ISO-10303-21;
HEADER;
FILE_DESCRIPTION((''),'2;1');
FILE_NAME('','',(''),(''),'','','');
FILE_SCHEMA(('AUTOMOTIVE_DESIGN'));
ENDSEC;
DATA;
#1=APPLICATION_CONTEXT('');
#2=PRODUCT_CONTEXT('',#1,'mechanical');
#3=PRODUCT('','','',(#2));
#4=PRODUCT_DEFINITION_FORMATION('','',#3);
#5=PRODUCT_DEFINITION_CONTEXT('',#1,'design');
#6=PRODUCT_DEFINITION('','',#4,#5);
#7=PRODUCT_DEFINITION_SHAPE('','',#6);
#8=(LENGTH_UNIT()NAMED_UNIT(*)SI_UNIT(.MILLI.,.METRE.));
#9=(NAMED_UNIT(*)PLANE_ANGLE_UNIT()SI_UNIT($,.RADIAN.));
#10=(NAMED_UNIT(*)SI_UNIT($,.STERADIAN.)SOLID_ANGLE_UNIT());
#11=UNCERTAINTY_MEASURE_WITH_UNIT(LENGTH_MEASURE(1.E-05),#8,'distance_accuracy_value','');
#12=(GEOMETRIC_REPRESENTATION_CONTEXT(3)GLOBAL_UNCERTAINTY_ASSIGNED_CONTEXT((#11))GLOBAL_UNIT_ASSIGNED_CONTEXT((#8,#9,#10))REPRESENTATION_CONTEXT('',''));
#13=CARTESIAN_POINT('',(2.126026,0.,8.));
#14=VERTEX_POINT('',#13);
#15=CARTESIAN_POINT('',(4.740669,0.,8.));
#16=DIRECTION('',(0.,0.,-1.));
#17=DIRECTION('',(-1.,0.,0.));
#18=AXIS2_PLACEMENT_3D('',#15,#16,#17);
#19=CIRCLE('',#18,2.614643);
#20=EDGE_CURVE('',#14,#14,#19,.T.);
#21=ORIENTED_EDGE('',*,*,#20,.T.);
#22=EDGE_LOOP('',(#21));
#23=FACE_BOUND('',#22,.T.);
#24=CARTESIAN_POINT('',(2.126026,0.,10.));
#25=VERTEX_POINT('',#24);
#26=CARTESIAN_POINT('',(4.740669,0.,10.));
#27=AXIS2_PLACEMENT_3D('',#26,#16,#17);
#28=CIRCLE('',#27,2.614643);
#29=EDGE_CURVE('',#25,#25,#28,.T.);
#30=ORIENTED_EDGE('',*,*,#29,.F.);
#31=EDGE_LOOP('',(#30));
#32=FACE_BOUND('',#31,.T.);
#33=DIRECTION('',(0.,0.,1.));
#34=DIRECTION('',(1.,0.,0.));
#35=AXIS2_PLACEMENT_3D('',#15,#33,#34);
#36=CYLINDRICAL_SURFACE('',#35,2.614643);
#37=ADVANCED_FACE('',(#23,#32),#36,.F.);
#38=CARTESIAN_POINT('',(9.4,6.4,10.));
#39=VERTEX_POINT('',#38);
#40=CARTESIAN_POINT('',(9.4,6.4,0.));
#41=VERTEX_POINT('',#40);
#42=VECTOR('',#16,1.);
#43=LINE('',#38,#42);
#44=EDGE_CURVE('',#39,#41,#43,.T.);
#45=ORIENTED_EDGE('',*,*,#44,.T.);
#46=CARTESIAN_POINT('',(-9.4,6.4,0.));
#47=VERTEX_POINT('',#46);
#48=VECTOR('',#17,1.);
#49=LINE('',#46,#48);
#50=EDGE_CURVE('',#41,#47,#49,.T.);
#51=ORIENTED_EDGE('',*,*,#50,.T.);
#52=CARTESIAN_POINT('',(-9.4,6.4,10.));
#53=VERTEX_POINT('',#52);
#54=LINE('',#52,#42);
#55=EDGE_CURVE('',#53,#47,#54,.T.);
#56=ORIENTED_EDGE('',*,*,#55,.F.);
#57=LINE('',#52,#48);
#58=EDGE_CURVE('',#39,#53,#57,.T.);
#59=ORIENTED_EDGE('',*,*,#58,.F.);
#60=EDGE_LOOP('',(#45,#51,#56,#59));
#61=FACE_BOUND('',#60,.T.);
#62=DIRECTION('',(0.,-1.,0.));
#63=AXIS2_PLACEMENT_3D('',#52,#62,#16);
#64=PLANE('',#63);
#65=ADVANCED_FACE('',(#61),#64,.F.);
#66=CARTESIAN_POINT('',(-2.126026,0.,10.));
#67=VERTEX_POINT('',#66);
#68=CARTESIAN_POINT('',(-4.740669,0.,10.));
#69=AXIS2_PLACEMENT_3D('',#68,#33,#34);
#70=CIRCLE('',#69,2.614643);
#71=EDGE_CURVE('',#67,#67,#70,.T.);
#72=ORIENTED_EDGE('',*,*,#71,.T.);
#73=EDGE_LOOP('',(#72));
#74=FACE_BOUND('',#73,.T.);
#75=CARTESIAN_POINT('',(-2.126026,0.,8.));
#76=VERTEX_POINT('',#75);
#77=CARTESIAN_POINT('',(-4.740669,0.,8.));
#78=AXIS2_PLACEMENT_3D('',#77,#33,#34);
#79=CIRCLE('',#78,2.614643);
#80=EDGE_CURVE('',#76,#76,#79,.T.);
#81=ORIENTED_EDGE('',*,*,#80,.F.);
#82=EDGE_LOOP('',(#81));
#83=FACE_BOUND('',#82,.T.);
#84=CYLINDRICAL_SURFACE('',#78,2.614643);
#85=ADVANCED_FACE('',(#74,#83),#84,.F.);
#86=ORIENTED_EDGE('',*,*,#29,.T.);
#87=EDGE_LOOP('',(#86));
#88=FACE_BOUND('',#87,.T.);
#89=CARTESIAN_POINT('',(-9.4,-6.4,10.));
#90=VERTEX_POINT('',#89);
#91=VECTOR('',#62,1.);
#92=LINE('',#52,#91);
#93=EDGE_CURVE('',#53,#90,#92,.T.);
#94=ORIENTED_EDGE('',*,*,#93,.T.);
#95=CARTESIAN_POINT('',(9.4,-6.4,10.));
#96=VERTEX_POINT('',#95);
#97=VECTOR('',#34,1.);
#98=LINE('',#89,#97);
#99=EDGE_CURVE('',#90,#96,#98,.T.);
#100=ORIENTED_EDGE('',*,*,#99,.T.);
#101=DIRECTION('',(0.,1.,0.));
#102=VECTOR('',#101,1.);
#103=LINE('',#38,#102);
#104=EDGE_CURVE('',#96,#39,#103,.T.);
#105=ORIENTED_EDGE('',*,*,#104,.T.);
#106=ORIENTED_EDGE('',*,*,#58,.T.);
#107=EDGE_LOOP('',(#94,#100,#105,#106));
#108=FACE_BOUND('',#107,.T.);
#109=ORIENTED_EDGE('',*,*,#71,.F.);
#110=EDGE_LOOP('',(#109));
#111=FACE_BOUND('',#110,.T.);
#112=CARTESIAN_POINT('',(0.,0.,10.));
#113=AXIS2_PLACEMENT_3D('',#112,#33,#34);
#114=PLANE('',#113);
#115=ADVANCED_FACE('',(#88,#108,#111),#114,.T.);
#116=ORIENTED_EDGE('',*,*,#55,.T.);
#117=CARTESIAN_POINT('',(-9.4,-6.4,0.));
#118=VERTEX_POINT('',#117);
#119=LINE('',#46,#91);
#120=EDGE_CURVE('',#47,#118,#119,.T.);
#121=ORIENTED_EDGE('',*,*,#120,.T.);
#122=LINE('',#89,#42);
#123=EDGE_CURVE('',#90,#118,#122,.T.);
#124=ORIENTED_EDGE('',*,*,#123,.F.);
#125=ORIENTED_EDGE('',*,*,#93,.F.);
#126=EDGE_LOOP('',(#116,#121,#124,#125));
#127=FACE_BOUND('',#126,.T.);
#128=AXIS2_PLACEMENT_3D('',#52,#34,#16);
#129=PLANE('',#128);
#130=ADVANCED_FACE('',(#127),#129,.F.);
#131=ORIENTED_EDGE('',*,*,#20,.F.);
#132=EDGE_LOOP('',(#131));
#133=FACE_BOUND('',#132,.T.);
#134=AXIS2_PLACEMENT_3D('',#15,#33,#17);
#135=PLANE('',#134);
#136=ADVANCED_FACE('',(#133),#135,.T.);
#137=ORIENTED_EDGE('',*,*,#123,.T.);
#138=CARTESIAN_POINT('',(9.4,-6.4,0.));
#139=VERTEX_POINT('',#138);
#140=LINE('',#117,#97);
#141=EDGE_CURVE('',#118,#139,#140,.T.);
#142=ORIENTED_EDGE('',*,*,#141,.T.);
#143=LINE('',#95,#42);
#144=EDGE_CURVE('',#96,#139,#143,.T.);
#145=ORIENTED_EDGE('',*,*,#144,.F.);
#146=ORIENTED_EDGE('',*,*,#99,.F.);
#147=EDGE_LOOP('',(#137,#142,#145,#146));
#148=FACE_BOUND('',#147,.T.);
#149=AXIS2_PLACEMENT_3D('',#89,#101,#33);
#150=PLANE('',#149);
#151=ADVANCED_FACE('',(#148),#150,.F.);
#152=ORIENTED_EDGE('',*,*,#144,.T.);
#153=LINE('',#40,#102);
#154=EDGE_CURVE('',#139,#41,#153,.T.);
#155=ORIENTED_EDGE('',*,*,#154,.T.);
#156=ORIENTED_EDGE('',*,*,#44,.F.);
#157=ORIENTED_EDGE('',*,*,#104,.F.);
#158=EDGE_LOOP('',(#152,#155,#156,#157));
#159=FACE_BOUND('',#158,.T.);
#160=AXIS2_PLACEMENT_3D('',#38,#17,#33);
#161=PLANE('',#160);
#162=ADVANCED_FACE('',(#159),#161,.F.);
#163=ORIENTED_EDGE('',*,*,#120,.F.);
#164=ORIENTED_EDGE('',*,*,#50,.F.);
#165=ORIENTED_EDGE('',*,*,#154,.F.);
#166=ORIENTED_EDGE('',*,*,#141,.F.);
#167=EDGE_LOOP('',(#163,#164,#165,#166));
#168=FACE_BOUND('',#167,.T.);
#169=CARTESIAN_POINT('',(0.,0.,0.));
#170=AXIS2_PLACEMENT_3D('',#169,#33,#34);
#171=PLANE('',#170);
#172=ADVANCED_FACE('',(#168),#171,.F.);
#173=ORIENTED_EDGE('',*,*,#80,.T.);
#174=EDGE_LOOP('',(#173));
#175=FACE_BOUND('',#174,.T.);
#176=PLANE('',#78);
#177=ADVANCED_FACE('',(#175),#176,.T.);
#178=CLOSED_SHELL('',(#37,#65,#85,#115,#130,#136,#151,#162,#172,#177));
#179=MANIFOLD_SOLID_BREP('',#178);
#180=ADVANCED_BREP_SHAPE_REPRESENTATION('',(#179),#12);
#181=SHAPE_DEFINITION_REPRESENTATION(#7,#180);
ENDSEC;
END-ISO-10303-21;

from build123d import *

# Parameters (mm, degrees)
CROQUIS1_W              = 18.8
CROQUIS1_H              = 12.8
SALIENTE_EXTRUIR1_DEPTH = 10
CROQUIS2_R              = 2.614642897
CORTAR_EXTRUIR1_DEPTH   = 2


with BuildPart() as part:
    # Croquis1 → Saliente-Extruir1 (new body)
    with BuildSketch(Plane.XY):
        Rectangle(CROQUIS1_W, CROQUIS1_H)
    extrude(amount=SALIENTE_EXTRUIR1_DEPTH)

    # Croquis2 → Cortar-Extruir1 (cut)
    with BuildSketch(Plane.XY.offset(10)):
        with Locations((-4.740668899, 0)):
            Circle(CROQUIS2_R)
    cortar_extruir1 = extrude(amount=-CORTAR_EXTRUIR1_DEPTH, mode=Mode.SUBTRACT)

    # Simetría1: Cortar-Extruir1 across plane
    add(cortar_extruir1.mirror(Plane(origin=(0, 0, 0), x_dir=(0, 0, 1), z_dir=(1, 0, 0))), mode=Mode.SUBTRACT)


solid = part.part
